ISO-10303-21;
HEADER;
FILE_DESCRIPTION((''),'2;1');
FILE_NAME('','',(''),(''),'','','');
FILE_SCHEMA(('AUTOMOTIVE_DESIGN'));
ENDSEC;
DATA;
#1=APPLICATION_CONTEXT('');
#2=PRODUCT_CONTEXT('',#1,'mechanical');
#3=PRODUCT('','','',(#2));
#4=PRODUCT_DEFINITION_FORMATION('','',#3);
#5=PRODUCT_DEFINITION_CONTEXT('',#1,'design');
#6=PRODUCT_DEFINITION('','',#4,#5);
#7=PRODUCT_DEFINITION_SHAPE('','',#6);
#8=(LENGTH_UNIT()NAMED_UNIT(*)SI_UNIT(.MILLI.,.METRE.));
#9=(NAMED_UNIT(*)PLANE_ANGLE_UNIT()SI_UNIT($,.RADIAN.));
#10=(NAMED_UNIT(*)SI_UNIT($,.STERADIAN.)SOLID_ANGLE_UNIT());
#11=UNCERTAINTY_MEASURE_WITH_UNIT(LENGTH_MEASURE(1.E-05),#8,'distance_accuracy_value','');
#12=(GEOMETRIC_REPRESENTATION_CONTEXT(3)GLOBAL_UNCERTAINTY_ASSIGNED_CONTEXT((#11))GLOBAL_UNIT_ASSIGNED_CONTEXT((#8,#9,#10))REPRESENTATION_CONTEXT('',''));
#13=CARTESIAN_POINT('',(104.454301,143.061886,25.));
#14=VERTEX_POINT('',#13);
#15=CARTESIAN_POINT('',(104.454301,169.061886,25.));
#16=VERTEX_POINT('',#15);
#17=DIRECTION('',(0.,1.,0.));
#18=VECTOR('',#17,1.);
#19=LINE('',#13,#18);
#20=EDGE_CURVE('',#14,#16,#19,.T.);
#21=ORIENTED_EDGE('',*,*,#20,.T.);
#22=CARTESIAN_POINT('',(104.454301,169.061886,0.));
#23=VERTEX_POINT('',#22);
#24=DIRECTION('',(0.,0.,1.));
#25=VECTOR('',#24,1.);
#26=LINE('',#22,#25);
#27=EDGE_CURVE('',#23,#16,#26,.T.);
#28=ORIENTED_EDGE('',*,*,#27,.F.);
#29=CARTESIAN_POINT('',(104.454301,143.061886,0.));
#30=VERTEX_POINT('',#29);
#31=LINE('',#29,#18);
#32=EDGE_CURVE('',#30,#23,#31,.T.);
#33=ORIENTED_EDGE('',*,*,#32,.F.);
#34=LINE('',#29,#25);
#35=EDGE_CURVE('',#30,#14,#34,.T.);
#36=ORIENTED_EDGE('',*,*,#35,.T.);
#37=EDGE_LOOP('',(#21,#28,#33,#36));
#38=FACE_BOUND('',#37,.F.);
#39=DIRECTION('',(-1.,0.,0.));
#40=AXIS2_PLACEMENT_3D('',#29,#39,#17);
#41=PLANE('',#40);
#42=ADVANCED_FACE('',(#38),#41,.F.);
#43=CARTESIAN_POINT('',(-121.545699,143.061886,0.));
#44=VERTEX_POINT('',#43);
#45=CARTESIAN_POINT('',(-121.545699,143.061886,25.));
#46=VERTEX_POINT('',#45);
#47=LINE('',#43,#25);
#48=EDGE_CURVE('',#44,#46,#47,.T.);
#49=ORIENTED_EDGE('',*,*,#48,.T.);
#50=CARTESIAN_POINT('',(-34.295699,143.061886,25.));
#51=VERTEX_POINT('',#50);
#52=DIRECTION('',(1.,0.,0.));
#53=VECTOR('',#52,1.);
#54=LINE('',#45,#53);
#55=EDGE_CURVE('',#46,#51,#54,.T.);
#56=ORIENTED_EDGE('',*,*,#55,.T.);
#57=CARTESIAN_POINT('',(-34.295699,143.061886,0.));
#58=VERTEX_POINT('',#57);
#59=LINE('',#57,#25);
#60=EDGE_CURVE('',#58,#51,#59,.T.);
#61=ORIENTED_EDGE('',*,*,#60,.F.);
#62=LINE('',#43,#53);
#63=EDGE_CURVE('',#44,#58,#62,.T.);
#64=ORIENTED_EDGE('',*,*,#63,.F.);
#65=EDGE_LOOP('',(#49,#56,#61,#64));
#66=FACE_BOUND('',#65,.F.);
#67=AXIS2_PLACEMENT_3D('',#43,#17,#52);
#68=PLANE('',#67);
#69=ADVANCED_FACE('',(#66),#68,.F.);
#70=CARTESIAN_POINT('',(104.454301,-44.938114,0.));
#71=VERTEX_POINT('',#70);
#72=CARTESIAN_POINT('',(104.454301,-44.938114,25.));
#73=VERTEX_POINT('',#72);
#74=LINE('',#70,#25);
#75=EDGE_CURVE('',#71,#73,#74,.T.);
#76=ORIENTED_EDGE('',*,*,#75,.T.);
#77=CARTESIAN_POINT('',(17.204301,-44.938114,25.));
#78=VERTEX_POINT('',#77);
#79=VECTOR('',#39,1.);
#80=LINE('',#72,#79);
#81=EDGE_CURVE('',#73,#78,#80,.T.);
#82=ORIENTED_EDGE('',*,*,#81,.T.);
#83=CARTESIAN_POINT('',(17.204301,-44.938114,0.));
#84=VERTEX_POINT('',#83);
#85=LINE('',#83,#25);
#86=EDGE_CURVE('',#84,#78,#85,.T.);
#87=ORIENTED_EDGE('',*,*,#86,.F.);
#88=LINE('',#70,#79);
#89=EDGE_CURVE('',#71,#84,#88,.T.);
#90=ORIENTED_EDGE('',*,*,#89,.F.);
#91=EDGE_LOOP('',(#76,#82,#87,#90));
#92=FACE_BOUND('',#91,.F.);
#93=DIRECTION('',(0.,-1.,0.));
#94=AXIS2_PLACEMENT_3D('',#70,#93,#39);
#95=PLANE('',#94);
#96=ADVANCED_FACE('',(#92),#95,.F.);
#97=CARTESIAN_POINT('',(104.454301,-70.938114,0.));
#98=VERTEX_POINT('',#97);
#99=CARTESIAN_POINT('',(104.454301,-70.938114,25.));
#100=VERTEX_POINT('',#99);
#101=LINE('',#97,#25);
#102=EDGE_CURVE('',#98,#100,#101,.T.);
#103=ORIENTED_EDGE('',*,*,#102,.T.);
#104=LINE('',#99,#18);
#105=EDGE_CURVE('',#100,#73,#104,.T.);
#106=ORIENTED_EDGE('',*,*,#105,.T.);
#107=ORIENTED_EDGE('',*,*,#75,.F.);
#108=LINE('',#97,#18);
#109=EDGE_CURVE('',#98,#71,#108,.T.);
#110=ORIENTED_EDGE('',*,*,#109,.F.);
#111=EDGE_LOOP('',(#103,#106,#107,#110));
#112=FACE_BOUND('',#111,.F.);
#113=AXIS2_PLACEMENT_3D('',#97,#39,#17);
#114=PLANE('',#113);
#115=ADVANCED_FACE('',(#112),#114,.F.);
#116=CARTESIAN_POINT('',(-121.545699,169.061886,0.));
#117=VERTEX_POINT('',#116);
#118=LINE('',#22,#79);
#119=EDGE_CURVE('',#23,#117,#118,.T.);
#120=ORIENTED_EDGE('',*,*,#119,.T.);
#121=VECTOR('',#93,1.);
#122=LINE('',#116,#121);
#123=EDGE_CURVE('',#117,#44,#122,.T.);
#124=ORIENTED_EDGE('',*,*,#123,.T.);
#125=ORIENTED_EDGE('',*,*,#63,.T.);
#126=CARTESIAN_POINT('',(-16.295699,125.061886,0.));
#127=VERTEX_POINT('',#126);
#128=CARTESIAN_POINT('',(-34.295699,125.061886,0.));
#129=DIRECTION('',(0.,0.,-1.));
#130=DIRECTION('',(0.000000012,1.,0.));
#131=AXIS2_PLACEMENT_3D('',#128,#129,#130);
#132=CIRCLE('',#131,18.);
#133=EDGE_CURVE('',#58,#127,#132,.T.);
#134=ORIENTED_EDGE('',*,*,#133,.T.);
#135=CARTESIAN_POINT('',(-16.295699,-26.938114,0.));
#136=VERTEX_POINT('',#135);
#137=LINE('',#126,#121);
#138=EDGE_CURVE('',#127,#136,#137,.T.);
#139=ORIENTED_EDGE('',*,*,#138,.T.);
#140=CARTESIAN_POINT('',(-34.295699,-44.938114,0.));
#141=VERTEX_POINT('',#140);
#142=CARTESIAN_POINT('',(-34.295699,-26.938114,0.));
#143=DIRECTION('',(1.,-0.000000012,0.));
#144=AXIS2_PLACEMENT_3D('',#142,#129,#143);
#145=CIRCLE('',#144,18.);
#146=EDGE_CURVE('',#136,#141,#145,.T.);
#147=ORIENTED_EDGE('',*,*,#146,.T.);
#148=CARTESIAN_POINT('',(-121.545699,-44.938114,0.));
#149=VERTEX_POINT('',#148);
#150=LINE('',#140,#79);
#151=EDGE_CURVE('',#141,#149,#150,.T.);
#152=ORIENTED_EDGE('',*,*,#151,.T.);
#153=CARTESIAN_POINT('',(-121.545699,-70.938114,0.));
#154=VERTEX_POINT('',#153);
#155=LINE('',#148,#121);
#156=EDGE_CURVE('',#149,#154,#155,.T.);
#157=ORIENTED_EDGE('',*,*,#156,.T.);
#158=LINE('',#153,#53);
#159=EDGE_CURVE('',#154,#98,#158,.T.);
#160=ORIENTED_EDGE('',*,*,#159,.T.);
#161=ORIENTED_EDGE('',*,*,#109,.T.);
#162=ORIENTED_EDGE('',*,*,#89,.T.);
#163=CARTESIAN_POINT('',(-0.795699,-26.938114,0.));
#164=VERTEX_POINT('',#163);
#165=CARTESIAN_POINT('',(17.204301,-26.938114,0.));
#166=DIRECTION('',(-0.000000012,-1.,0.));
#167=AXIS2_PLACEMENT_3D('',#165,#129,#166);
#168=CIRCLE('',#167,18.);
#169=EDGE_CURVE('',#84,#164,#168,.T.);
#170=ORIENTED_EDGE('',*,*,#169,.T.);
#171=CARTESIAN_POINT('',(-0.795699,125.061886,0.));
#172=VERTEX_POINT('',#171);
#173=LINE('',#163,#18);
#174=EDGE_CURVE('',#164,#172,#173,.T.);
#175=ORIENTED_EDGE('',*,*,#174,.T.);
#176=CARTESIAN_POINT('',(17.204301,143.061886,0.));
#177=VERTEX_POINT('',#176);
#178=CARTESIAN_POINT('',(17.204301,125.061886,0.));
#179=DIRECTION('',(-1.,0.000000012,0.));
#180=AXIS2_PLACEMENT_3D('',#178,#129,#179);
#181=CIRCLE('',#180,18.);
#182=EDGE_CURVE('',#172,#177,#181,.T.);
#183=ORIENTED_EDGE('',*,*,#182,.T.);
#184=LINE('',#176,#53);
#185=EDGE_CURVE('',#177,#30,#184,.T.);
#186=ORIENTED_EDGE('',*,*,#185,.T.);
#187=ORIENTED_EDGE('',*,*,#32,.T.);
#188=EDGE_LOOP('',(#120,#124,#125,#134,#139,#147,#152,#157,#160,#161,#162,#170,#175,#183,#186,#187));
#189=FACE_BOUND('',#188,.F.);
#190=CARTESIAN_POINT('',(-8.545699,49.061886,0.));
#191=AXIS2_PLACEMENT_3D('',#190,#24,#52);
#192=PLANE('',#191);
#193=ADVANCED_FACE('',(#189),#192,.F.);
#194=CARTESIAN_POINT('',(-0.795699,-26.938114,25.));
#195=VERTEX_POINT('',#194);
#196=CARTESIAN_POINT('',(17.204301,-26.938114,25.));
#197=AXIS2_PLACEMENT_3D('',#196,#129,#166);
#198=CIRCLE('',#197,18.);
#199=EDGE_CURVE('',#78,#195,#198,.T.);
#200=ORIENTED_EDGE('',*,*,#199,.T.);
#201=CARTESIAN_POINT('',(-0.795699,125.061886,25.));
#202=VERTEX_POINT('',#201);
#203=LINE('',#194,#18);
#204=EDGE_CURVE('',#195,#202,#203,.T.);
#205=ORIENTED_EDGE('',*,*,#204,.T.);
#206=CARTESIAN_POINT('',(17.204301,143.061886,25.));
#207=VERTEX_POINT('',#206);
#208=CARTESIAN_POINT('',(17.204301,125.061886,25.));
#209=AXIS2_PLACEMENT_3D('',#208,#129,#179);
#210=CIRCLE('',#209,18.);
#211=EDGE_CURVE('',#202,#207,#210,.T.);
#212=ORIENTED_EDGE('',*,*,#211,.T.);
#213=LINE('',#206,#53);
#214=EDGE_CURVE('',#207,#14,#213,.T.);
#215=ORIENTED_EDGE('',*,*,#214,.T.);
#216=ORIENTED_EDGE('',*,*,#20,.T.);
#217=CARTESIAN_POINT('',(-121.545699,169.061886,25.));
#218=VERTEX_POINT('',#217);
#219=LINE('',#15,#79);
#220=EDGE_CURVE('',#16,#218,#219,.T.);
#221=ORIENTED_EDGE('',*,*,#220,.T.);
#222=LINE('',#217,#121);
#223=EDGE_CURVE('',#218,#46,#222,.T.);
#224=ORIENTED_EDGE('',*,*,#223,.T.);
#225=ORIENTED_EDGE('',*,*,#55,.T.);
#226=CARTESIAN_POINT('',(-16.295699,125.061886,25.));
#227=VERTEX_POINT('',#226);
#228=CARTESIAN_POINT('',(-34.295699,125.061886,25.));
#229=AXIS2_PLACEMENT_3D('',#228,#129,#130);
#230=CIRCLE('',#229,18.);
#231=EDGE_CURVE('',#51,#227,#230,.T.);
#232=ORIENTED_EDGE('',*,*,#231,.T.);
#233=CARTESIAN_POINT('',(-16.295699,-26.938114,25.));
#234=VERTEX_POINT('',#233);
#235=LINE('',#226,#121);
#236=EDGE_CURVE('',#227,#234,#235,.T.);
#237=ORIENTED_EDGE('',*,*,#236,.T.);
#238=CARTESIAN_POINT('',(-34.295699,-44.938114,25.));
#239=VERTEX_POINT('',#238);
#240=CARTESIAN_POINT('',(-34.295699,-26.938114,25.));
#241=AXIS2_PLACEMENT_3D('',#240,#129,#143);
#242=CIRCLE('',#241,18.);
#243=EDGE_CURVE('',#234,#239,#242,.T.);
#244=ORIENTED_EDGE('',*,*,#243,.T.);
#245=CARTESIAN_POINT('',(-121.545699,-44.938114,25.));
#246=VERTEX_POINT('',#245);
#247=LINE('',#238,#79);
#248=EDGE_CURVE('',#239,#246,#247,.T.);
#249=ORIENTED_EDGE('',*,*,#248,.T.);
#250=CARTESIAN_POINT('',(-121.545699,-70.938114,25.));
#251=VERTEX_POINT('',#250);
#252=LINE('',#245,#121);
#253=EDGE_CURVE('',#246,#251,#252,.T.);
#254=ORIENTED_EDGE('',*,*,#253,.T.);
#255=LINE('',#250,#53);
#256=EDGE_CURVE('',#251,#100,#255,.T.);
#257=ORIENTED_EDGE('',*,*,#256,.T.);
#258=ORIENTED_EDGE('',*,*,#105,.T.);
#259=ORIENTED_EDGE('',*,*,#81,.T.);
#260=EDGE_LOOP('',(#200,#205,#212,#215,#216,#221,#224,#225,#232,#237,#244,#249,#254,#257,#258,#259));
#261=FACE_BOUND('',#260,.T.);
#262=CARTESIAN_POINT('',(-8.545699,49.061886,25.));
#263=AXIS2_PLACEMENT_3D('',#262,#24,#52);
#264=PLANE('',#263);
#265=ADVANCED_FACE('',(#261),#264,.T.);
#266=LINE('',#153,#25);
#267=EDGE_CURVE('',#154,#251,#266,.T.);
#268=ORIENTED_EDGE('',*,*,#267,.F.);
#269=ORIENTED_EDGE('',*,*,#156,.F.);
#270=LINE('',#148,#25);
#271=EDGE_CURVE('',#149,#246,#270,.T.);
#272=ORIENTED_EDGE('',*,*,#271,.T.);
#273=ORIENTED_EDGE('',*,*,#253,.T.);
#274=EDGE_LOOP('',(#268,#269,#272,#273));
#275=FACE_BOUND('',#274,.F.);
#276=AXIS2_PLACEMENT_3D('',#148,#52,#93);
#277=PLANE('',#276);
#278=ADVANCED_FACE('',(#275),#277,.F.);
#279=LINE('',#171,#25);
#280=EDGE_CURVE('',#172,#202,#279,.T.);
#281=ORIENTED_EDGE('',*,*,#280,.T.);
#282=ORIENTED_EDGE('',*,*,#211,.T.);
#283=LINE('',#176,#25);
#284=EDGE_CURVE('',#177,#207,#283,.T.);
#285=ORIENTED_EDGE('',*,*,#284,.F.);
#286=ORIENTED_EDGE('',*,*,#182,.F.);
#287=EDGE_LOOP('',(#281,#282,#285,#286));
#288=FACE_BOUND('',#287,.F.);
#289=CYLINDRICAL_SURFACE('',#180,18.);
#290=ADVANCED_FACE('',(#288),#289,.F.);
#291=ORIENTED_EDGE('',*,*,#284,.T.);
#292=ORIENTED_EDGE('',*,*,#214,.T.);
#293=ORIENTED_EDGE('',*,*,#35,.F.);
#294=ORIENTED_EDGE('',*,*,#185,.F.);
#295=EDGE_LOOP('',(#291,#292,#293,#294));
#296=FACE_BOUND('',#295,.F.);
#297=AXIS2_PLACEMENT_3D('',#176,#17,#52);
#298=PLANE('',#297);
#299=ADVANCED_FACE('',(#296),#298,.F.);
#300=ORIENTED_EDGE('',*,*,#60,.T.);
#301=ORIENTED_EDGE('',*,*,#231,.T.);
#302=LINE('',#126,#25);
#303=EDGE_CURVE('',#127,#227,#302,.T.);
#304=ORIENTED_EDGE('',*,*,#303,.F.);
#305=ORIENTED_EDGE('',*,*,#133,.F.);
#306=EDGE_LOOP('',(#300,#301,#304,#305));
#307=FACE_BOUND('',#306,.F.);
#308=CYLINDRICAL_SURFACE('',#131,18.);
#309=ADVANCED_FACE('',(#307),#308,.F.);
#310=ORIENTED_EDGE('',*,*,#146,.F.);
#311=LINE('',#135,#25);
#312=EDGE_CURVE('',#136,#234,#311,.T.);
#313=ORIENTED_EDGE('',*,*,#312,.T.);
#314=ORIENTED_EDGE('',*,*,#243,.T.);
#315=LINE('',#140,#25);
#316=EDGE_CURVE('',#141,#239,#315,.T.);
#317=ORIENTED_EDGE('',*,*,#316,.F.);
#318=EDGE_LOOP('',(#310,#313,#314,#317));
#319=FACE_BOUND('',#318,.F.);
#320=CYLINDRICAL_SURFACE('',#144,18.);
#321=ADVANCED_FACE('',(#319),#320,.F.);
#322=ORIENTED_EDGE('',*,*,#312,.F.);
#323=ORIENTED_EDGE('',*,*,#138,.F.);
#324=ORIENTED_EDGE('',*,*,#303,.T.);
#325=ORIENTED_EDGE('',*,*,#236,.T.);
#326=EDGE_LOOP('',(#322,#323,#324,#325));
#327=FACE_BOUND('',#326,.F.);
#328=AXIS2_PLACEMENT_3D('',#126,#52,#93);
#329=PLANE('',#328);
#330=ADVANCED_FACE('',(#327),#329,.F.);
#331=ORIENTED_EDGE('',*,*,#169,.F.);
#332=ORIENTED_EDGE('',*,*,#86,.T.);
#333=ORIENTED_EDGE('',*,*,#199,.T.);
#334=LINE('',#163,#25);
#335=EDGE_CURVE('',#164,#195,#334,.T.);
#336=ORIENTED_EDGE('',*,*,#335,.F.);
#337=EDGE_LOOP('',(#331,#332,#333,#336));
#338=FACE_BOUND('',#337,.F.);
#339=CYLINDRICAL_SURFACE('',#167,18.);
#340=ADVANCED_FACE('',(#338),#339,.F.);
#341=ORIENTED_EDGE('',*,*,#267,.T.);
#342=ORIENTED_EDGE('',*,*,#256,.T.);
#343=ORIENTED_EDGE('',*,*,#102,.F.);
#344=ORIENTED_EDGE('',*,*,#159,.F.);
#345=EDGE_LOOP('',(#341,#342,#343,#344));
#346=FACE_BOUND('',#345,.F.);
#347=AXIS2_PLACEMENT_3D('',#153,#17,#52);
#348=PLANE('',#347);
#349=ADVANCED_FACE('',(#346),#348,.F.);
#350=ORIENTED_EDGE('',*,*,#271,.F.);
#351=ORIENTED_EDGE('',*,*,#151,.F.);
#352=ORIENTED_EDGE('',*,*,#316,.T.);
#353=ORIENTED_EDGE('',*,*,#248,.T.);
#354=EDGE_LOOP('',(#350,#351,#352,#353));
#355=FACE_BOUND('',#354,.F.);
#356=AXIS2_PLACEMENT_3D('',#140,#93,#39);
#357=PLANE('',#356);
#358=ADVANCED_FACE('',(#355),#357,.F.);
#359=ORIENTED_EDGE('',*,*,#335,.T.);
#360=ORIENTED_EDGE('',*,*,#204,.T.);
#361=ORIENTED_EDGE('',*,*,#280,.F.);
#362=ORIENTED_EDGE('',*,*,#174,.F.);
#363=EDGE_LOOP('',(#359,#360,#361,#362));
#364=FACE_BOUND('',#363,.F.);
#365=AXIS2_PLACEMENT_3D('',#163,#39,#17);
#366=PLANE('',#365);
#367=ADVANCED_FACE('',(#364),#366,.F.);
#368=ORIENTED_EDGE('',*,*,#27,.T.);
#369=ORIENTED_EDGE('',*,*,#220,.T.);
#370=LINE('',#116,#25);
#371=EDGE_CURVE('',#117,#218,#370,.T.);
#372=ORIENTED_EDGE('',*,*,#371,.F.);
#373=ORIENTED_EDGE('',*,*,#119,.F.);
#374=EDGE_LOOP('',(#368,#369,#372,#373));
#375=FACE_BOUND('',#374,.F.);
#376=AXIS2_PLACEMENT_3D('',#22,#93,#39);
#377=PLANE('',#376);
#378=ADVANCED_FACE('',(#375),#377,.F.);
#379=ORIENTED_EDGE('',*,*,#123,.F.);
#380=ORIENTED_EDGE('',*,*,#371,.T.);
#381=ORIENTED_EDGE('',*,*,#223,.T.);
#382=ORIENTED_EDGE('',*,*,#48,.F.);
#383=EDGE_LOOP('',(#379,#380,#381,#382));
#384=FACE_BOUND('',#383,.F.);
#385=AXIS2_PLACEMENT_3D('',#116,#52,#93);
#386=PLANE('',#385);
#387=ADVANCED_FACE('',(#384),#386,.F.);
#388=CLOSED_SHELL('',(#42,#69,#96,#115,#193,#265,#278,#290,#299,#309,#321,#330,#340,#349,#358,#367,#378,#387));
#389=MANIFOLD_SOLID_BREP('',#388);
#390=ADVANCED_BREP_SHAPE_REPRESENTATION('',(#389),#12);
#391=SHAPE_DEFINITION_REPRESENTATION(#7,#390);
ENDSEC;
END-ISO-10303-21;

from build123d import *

# Parameters (mm, degrees)
F1_DEPTH = 25


with BuildPart() as f1:
    # F0 (on Top) → F1 (new body)
    with BuildSketch(Plane.XY):
        with BuildLine():
            Line((-121.545699, 169.061886), (-121.545699, 143.061886))
            Line((-121.545699, 143.061886), (-34.295699, 143.061886))
            ThreePointArc((-34.295699, 143.061886), (-21.567777, 137.789808), (-16.295699, 125.061886))
            Line((-16.295699, 125.061886), (-16.295699, -26.938114))
            ThreePointArc((-16.295699, -26.938114), (-21.567777, -39.666036), (-34.295699, -44.938114))
            Line((-34.295699, -44.938114), (-121.545699, -44.938114))
            Line((-121.545699, -44.938114), (-121.545699, -70.938114))
            Line((-121.545699, -70.938114), (104.454301, -70.938114))
            Line((104.454301, -70.938114), (104.454301, -44.938114))
            Line((104.454301, -44.938114), (17.204301, -44.938114))
            ThreePointArc((17.204301, -44.938114), (4.476379, -39.666036), (-0.795699, -26.938114))
            Line((-0.795699, -26.938114), (-0.795699, 125.061886))
            ThreePointArc((-0.795699, 125.061886), (4.476379, 137.789808), (17.204301, 143.061886))
            Line((17.204301, 143.061886), (104.454301, 143.061886))
            Line((104.454301, 143.061886), (104.454301, 169.061886))
            Line((104.454301, 169.061886), (-121.545699, 169.061886))
        make_face()
    extrude(amount=F1_DEPTH)


solid = f1.part
